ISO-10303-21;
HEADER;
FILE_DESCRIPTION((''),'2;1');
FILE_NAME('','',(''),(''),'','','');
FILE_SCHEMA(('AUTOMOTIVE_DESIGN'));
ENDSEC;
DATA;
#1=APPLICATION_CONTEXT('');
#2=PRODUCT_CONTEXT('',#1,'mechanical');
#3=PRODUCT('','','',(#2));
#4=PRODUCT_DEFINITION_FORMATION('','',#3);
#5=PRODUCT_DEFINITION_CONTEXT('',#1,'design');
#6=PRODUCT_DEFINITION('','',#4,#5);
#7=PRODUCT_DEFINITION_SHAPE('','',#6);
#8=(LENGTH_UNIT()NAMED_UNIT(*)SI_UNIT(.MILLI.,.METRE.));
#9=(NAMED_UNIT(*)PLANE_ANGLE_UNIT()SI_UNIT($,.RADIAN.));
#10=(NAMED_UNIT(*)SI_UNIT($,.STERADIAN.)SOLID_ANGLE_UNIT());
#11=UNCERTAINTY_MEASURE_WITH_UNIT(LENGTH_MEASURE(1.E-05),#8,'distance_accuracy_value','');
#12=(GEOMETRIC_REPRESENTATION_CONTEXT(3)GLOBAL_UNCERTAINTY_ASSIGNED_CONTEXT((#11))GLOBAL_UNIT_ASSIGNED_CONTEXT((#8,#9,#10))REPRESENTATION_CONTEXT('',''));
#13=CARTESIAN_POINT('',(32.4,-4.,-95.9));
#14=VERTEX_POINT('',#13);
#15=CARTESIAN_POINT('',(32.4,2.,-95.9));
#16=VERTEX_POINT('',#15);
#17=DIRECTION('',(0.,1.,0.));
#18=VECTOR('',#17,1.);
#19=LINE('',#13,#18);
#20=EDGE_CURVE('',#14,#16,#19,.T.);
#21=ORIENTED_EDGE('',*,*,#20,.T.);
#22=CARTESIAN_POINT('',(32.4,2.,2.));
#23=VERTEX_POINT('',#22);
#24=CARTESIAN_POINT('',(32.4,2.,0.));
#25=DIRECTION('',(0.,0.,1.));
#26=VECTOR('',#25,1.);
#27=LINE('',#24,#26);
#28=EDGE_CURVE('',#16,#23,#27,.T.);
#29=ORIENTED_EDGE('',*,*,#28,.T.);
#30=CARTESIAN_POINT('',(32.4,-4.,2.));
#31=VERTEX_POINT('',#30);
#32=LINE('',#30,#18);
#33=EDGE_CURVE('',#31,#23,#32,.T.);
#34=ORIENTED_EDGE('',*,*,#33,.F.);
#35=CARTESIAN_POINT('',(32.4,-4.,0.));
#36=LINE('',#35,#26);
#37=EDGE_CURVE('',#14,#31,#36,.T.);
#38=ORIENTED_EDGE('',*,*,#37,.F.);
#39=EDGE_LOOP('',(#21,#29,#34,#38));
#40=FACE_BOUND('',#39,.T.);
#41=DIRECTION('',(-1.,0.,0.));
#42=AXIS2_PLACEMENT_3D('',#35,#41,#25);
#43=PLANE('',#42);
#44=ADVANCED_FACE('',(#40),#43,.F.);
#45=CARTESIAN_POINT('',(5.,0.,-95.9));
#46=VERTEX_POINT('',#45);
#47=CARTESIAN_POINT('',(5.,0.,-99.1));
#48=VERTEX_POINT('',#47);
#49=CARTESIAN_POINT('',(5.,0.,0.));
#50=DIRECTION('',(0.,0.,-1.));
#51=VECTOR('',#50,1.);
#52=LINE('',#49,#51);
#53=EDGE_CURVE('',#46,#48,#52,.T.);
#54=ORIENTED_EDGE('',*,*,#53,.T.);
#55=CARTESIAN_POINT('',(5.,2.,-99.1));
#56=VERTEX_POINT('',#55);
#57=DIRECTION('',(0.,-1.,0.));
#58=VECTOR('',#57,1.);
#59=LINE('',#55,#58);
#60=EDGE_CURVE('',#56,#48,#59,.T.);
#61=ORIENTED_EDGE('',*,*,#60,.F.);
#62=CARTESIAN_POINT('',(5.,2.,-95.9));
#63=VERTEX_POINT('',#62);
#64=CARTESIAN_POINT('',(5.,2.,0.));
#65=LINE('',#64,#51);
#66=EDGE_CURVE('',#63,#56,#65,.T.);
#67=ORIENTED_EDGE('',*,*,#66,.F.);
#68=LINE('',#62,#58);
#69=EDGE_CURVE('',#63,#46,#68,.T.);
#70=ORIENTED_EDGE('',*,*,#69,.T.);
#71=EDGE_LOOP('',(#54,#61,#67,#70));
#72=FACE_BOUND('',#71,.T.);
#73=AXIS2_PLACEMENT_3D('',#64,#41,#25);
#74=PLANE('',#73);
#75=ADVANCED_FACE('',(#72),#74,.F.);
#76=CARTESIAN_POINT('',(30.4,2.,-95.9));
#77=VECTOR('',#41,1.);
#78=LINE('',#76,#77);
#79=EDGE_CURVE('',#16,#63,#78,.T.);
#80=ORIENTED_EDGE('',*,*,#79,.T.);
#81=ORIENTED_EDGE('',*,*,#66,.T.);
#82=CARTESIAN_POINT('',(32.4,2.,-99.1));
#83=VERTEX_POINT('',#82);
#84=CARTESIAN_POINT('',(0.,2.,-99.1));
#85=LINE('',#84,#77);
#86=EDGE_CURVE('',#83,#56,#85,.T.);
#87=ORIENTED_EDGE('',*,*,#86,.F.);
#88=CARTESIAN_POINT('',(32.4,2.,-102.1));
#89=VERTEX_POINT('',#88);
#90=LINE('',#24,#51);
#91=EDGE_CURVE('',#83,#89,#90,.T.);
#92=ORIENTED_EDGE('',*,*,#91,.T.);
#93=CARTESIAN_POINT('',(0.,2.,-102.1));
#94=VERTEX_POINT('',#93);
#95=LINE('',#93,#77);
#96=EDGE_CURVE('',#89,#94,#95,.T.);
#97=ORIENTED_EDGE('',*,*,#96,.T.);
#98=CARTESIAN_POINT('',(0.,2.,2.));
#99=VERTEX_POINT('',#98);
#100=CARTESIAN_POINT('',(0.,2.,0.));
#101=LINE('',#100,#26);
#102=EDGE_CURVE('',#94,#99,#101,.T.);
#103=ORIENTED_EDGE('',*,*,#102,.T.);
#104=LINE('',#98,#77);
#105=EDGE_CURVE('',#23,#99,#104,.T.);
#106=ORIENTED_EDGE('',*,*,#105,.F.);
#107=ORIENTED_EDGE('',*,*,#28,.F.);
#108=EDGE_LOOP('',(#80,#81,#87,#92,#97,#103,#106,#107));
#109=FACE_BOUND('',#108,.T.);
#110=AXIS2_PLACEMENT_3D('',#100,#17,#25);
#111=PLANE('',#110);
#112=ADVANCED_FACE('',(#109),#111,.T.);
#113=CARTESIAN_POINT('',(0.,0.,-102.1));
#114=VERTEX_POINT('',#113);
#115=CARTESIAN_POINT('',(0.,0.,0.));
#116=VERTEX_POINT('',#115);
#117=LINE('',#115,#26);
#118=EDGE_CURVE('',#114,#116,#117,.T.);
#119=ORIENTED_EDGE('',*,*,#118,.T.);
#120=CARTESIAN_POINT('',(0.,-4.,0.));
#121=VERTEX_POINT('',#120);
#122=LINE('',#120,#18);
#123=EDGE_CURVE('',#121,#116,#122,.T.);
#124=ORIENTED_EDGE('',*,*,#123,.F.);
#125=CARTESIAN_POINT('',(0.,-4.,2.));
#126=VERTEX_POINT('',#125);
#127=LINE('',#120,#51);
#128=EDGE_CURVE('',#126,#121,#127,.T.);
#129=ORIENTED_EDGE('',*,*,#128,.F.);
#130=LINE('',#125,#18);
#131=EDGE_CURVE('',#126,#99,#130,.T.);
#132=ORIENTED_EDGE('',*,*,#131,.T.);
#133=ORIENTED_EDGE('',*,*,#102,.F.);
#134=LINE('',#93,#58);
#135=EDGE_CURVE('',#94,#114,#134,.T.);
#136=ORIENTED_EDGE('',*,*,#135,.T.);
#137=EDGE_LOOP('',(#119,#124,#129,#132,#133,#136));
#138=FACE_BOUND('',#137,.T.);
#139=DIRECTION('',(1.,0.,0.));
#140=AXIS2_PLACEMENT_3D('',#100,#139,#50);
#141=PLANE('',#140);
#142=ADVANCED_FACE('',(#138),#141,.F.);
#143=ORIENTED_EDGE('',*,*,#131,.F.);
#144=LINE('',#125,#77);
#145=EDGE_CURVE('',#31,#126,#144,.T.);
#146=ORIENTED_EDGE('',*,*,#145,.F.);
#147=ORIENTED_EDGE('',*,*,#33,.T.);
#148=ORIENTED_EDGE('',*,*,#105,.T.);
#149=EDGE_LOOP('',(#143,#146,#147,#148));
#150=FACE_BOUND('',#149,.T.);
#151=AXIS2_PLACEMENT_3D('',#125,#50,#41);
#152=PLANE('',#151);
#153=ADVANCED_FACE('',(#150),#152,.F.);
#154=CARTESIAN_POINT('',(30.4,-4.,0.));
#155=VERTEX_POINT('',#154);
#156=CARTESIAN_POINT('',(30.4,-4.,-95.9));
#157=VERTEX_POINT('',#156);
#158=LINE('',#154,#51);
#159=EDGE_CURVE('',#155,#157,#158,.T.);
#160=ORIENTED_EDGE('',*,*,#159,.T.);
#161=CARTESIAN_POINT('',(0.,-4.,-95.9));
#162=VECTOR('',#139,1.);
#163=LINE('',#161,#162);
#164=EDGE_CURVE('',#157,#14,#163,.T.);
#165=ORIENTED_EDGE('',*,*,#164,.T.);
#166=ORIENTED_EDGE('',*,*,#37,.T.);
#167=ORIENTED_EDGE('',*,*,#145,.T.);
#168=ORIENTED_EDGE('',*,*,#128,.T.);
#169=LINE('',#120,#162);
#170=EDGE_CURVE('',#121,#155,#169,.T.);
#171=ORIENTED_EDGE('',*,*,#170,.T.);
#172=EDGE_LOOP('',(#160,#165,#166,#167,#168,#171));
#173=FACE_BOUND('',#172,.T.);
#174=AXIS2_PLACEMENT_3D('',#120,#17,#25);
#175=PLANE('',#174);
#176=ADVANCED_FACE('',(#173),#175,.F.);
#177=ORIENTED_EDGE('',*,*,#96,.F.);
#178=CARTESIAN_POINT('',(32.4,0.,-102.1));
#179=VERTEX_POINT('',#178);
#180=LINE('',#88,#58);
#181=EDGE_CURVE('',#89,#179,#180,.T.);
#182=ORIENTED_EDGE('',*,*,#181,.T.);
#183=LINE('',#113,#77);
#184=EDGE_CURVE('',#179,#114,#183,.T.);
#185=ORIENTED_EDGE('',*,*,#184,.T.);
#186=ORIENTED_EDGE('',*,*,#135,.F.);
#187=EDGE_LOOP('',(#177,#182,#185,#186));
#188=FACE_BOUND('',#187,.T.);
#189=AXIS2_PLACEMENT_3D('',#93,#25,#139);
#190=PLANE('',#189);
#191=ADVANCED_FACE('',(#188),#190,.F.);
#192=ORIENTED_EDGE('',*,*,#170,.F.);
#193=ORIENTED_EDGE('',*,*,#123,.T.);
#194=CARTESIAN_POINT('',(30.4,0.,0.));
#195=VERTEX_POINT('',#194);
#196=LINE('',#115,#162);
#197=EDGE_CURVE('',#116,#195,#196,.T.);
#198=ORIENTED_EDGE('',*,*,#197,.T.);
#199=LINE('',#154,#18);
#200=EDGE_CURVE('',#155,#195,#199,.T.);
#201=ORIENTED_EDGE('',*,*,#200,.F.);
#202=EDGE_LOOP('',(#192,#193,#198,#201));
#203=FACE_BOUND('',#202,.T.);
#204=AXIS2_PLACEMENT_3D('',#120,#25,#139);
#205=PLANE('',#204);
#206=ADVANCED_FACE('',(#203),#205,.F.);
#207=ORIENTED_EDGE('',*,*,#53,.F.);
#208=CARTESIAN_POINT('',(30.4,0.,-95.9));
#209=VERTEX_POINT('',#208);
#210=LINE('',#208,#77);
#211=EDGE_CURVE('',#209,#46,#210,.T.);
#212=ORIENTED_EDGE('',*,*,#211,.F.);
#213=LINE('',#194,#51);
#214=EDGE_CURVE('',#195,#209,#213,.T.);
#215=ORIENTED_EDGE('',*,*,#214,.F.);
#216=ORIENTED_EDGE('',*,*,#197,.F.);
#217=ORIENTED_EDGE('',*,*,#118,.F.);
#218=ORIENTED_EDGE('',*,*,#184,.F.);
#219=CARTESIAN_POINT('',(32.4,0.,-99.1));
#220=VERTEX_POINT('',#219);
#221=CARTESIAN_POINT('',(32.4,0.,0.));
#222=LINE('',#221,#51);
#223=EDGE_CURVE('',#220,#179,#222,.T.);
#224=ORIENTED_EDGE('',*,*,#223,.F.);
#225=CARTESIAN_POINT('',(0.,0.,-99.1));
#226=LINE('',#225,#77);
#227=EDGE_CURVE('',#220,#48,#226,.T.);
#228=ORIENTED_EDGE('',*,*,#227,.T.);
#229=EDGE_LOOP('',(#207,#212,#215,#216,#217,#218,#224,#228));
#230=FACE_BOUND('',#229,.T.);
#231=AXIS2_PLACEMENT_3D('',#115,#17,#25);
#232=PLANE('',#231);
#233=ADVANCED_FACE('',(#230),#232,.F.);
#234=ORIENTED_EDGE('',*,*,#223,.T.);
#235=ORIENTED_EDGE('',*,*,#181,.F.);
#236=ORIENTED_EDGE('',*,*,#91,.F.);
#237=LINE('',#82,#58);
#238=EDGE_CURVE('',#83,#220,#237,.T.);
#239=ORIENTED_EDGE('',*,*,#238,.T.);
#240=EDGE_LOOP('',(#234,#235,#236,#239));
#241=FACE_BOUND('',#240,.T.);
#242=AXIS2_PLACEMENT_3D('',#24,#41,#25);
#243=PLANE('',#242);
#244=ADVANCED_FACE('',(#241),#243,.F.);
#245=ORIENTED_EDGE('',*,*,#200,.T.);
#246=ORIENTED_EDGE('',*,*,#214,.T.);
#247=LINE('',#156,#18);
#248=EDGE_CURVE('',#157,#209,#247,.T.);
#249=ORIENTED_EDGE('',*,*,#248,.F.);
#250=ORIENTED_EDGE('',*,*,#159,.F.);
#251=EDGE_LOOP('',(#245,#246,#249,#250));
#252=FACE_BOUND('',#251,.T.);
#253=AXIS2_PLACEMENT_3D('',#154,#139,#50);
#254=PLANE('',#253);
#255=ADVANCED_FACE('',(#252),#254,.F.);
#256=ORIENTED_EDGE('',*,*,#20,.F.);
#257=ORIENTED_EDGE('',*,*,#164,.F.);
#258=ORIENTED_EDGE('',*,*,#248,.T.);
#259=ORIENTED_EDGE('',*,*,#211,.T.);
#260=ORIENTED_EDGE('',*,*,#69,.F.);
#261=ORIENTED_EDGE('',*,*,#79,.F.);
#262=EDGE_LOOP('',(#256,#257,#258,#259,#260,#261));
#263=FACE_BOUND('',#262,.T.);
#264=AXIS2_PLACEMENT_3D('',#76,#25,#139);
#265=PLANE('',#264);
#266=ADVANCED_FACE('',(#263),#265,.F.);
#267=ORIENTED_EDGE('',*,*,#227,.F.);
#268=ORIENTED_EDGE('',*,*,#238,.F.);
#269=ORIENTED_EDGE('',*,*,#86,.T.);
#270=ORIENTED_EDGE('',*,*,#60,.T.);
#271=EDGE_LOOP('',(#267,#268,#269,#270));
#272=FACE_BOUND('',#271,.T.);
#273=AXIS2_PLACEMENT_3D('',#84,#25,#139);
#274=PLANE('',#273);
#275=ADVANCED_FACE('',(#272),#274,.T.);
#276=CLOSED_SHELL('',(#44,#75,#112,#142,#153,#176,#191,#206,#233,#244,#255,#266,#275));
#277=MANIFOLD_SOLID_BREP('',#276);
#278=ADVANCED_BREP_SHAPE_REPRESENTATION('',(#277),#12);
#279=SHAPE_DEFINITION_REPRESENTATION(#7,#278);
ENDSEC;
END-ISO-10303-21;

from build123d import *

# Parameters (mm, degrees)
BOSS_EXTRUDE1_DEPTH = 2
BOSS_EXTRUDE3_DEPTH = 6
SKETCH7_W           = 80.2
SKETCH7_H           = 2
BOSS_EXTRUDE4_DEPTH = 18.2
BOSS_EXTRUDE5_DEPTH = 2


with BuildPart() as part:
    # Sketch1 → Boss-Extrude1 (new body)
    with BuildSketch(Plane(origin=(0, 0, 0), x_dir=(1, 0, 0), z_dir=(0, 1, 0))):
        Polygon((0, 0), (30.4, 0), (30.4, 95.9), (18.2, 95.9), (18.2, 15.7), (0, 15.7), align=None)
    extrude(amount=BOSS_EXTRUDE1_DEPTH)

    # Sketch4 → Boss-Extrude3 (add)
    with BuildSketch(Plane(origin=(0, 2, 0), x_dir=(1, 0, 0), z_dir=(0, 1, 0))):
        Polygon((0, -2), (0, 0), (30.4, 0), (30.4, 95.9), (32.4, 95.9), (32.4, 0), (32.4, -2), align=None)
    extrude(amount=-BOSS_EXTRUDE3_DEPTH)

    # Sketch7 → Boss-Extrude4 (add)
    with BuildSketch(Plane.ZY.offset(-18.2)):
        with Locations((-55.8, 1)):
            Rectangle(SKETCH7_W, SKETCH7_H)
    extrude(amount=BOSS_EXTRUDE4_DEPTH)

    # Sketch8 → Boss-Extrude5 (add)
    with BuildSketch(Plane(origin=(0, 0, 0), x_dir=(-1, 0, 0), z_dir=(0, -1, 0))):
        Polygon((-5, 95.9), (0, 95.9), (0, 102.1), (-32.4, 102.1), (-32.4, 99.1), (-5, 99.1), align=None)
    extrude(amount=-BOSS_EXTRUDE5_DEPTH)


solid = part.part
